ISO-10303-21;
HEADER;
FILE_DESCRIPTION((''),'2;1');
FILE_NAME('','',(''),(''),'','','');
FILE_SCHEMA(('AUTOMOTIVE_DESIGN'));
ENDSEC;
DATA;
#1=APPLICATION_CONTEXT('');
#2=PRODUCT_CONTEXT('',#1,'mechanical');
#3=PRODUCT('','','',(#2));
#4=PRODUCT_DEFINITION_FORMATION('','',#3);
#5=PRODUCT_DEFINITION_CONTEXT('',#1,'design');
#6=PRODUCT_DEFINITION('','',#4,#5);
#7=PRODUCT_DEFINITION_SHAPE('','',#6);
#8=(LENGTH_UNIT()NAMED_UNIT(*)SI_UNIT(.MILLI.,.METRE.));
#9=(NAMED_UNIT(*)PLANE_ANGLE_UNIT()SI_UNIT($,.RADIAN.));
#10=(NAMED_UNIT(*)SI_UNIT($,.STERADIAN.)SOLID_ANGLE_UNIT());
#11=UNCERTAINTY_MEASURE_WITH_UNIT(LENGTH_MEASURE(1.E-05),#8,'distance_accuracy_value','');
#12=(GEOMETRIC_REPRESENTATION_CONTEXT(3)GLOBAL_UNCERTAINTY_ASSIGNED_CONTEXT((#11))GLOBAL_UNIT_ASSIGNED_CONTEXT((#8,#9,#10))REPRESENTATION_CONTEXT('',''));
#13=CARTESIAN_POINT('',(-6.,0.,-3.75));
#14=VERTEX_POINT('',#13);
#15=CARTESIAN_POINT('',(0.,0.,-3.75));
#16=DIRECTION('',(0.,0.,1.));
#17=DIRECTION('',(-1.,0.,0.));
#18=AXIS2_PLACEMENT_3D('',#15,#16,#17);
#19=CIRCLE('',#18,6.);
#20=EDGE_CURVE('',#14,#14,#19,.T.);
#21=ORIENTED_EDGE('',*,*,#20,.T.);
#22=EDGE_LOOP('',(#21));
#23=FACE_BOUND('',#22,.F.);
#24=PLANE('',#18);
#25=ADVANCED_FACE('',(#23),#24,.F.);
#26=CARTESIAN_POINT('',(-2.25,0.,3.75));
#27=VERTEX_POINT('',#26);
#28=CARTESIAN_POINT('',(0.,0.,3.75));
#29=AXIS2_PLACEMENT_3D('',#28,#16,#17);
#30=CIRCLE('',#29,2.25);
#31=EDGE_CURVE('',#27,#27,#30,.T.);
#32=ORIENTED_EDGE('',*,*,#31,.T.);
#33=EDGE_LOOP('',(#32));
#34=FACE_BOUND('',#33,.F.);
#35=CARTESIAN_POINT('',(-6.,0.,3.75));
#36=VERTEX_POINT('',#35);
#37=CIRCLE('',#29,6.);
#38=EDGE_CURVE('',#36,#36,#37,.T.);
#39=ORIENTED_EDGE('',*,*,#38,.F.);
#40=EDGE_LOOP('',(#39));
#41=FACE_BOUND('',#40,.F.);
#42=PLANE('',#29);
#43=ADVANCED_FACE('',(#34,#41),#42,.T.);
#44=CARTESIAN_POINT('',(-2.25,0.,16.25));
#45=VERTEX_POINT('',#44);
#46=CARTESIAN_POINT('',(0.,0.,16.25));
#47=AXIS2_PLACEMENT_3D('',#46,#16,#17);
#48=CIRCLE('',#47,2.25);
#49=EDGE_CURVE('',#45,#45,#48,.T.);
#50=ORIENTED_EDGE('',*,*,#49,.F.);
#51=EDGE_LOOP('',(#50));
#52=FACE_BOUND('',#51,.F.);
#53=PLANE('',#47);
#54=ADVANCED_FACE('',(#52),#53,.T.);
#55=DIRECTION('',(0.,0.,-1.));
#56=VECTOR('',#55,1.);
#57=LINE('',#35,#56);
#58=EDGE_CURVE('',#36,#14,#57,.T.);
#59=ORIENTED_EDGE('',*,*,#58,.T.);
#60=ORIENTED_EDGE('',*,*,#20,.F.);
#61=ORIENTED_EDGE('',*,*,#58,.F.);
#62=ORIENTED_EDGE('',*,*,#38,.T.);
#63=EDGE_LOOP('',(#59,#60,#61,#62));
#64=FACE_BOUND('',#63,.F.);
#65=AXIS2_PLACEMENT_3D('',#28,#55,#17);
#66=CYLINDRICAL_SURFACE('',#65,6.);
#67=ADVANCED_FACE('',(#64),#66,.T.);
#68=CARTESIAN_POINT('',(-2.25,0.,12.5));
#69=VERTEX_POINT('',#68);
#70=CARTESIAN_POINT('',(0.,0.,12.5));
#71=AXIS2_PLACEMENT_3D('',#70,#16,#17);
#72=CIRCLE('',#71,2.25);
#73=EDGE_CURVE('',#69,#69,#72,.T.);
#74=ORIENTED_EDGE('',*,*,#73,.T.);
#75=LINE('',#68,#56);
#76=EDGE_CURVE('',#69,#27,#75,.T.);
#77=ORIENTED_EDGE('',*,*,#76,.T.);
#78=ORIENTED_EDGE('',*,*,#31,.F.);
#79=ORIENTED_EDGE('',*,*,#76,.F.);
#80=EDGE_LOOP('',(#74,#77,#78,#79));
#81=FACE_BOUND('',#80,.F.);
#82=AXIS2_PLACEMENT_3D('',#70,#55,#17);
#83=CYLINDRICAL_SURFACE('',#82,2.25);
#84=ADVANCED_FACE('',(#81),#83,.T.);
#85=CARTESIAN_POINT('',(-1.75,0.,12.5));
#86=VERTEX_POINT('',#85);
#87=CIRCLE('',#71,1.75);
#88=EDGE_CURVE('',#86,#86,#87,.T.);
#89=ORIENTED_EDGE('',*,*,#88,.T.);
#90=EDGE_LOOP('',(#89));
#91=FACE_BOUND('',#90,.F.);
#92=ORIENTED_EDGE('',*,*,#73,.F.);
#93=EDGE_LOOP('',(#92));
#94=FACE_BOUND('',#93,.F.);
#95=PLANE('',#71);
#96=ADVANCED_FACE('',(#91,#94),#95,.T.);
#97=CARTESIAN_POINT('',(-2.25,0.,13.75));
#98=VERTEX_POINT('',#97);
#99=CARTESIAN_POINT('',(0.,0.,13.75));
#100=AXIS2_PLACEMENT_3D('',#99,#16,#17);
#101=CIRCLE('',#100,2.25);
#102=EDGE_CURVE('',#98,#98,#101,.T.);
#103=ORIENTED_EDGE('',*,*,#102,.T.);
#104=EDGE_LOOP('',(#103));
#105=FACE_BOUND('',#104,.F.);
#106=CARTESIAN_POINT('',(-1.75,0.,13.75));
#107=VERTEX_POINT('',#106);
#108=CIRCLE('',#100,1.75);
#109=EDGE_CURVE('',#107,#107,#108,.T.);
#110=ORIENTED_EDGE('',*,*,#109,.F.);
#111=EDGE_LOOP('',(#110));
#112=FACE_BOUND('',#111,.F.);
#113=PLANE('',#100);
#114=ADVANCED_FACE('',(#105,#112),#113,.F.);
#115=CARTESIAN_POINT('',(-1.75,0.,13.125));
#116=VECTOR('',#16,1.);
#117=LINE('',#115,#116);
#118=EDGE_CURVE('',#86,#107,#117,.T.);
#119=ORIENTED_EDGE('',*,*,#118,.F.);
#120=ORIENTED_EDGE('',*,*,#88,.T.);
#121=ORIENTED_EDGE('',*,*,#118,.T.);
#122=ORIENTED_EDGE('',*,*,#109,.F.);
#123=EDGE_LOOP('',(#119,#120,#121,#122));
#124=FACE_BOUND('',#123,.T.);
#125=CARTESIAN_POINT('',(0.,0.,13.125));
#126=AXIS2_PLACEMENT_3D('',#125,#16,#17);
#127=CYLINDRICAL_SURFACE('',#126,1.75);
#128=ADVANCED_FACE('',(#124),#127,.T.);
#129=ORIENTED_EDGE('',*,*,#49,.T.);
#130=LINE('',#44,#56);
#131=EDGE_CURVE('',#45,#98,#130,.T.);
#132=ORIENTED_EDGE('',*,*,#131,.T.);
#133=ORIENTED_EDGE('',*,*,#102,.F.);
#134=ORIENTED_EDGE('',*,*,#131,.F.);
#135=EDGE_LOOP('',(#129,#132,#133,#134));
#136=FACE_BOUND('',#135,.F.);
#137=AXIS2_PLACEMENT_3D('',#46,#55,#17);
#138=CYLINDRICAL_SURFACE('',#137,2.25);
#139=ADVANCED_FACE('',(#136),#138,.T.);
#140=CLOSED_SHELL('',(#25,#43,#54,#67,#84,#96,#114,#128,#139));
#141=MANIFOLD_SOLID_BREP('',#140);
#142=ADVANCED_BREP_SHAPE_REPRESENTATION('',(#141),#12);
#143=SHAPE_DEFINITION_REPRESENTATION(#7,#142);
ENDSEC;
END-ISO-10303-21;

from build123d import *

# Parameters (mm, degrees)
F0_W = 1.75
F0_H = 1.25


with BuildPart() as f1:
    # F0 (on Front) → F1 (revolve)
    with BuildSketch(Plane.XZ):
        with Locations((-0.875, 13.125)):
            Rectangle(F0_W, F0_H)
        Polygon((-2.25, 16.25), (-2.25, 13.75), (-1.75, 13.75), (0, 13.75), (0, 16.25), align=None)
        Polygon((-2.25, 12.5), (-2.25, 3.75), (0, 3.75), (0, 12.5), (-1.75, 12.5), align=None)
        Polygon((-2.25, 3.75), (-6, 3.75), (-6, -3.75), (0, -3.75), (0, 3.75), align=None)
    revolve(axis=Axis((0, 0, 6.25), (0, 0, 1)))


solid = f1.part
